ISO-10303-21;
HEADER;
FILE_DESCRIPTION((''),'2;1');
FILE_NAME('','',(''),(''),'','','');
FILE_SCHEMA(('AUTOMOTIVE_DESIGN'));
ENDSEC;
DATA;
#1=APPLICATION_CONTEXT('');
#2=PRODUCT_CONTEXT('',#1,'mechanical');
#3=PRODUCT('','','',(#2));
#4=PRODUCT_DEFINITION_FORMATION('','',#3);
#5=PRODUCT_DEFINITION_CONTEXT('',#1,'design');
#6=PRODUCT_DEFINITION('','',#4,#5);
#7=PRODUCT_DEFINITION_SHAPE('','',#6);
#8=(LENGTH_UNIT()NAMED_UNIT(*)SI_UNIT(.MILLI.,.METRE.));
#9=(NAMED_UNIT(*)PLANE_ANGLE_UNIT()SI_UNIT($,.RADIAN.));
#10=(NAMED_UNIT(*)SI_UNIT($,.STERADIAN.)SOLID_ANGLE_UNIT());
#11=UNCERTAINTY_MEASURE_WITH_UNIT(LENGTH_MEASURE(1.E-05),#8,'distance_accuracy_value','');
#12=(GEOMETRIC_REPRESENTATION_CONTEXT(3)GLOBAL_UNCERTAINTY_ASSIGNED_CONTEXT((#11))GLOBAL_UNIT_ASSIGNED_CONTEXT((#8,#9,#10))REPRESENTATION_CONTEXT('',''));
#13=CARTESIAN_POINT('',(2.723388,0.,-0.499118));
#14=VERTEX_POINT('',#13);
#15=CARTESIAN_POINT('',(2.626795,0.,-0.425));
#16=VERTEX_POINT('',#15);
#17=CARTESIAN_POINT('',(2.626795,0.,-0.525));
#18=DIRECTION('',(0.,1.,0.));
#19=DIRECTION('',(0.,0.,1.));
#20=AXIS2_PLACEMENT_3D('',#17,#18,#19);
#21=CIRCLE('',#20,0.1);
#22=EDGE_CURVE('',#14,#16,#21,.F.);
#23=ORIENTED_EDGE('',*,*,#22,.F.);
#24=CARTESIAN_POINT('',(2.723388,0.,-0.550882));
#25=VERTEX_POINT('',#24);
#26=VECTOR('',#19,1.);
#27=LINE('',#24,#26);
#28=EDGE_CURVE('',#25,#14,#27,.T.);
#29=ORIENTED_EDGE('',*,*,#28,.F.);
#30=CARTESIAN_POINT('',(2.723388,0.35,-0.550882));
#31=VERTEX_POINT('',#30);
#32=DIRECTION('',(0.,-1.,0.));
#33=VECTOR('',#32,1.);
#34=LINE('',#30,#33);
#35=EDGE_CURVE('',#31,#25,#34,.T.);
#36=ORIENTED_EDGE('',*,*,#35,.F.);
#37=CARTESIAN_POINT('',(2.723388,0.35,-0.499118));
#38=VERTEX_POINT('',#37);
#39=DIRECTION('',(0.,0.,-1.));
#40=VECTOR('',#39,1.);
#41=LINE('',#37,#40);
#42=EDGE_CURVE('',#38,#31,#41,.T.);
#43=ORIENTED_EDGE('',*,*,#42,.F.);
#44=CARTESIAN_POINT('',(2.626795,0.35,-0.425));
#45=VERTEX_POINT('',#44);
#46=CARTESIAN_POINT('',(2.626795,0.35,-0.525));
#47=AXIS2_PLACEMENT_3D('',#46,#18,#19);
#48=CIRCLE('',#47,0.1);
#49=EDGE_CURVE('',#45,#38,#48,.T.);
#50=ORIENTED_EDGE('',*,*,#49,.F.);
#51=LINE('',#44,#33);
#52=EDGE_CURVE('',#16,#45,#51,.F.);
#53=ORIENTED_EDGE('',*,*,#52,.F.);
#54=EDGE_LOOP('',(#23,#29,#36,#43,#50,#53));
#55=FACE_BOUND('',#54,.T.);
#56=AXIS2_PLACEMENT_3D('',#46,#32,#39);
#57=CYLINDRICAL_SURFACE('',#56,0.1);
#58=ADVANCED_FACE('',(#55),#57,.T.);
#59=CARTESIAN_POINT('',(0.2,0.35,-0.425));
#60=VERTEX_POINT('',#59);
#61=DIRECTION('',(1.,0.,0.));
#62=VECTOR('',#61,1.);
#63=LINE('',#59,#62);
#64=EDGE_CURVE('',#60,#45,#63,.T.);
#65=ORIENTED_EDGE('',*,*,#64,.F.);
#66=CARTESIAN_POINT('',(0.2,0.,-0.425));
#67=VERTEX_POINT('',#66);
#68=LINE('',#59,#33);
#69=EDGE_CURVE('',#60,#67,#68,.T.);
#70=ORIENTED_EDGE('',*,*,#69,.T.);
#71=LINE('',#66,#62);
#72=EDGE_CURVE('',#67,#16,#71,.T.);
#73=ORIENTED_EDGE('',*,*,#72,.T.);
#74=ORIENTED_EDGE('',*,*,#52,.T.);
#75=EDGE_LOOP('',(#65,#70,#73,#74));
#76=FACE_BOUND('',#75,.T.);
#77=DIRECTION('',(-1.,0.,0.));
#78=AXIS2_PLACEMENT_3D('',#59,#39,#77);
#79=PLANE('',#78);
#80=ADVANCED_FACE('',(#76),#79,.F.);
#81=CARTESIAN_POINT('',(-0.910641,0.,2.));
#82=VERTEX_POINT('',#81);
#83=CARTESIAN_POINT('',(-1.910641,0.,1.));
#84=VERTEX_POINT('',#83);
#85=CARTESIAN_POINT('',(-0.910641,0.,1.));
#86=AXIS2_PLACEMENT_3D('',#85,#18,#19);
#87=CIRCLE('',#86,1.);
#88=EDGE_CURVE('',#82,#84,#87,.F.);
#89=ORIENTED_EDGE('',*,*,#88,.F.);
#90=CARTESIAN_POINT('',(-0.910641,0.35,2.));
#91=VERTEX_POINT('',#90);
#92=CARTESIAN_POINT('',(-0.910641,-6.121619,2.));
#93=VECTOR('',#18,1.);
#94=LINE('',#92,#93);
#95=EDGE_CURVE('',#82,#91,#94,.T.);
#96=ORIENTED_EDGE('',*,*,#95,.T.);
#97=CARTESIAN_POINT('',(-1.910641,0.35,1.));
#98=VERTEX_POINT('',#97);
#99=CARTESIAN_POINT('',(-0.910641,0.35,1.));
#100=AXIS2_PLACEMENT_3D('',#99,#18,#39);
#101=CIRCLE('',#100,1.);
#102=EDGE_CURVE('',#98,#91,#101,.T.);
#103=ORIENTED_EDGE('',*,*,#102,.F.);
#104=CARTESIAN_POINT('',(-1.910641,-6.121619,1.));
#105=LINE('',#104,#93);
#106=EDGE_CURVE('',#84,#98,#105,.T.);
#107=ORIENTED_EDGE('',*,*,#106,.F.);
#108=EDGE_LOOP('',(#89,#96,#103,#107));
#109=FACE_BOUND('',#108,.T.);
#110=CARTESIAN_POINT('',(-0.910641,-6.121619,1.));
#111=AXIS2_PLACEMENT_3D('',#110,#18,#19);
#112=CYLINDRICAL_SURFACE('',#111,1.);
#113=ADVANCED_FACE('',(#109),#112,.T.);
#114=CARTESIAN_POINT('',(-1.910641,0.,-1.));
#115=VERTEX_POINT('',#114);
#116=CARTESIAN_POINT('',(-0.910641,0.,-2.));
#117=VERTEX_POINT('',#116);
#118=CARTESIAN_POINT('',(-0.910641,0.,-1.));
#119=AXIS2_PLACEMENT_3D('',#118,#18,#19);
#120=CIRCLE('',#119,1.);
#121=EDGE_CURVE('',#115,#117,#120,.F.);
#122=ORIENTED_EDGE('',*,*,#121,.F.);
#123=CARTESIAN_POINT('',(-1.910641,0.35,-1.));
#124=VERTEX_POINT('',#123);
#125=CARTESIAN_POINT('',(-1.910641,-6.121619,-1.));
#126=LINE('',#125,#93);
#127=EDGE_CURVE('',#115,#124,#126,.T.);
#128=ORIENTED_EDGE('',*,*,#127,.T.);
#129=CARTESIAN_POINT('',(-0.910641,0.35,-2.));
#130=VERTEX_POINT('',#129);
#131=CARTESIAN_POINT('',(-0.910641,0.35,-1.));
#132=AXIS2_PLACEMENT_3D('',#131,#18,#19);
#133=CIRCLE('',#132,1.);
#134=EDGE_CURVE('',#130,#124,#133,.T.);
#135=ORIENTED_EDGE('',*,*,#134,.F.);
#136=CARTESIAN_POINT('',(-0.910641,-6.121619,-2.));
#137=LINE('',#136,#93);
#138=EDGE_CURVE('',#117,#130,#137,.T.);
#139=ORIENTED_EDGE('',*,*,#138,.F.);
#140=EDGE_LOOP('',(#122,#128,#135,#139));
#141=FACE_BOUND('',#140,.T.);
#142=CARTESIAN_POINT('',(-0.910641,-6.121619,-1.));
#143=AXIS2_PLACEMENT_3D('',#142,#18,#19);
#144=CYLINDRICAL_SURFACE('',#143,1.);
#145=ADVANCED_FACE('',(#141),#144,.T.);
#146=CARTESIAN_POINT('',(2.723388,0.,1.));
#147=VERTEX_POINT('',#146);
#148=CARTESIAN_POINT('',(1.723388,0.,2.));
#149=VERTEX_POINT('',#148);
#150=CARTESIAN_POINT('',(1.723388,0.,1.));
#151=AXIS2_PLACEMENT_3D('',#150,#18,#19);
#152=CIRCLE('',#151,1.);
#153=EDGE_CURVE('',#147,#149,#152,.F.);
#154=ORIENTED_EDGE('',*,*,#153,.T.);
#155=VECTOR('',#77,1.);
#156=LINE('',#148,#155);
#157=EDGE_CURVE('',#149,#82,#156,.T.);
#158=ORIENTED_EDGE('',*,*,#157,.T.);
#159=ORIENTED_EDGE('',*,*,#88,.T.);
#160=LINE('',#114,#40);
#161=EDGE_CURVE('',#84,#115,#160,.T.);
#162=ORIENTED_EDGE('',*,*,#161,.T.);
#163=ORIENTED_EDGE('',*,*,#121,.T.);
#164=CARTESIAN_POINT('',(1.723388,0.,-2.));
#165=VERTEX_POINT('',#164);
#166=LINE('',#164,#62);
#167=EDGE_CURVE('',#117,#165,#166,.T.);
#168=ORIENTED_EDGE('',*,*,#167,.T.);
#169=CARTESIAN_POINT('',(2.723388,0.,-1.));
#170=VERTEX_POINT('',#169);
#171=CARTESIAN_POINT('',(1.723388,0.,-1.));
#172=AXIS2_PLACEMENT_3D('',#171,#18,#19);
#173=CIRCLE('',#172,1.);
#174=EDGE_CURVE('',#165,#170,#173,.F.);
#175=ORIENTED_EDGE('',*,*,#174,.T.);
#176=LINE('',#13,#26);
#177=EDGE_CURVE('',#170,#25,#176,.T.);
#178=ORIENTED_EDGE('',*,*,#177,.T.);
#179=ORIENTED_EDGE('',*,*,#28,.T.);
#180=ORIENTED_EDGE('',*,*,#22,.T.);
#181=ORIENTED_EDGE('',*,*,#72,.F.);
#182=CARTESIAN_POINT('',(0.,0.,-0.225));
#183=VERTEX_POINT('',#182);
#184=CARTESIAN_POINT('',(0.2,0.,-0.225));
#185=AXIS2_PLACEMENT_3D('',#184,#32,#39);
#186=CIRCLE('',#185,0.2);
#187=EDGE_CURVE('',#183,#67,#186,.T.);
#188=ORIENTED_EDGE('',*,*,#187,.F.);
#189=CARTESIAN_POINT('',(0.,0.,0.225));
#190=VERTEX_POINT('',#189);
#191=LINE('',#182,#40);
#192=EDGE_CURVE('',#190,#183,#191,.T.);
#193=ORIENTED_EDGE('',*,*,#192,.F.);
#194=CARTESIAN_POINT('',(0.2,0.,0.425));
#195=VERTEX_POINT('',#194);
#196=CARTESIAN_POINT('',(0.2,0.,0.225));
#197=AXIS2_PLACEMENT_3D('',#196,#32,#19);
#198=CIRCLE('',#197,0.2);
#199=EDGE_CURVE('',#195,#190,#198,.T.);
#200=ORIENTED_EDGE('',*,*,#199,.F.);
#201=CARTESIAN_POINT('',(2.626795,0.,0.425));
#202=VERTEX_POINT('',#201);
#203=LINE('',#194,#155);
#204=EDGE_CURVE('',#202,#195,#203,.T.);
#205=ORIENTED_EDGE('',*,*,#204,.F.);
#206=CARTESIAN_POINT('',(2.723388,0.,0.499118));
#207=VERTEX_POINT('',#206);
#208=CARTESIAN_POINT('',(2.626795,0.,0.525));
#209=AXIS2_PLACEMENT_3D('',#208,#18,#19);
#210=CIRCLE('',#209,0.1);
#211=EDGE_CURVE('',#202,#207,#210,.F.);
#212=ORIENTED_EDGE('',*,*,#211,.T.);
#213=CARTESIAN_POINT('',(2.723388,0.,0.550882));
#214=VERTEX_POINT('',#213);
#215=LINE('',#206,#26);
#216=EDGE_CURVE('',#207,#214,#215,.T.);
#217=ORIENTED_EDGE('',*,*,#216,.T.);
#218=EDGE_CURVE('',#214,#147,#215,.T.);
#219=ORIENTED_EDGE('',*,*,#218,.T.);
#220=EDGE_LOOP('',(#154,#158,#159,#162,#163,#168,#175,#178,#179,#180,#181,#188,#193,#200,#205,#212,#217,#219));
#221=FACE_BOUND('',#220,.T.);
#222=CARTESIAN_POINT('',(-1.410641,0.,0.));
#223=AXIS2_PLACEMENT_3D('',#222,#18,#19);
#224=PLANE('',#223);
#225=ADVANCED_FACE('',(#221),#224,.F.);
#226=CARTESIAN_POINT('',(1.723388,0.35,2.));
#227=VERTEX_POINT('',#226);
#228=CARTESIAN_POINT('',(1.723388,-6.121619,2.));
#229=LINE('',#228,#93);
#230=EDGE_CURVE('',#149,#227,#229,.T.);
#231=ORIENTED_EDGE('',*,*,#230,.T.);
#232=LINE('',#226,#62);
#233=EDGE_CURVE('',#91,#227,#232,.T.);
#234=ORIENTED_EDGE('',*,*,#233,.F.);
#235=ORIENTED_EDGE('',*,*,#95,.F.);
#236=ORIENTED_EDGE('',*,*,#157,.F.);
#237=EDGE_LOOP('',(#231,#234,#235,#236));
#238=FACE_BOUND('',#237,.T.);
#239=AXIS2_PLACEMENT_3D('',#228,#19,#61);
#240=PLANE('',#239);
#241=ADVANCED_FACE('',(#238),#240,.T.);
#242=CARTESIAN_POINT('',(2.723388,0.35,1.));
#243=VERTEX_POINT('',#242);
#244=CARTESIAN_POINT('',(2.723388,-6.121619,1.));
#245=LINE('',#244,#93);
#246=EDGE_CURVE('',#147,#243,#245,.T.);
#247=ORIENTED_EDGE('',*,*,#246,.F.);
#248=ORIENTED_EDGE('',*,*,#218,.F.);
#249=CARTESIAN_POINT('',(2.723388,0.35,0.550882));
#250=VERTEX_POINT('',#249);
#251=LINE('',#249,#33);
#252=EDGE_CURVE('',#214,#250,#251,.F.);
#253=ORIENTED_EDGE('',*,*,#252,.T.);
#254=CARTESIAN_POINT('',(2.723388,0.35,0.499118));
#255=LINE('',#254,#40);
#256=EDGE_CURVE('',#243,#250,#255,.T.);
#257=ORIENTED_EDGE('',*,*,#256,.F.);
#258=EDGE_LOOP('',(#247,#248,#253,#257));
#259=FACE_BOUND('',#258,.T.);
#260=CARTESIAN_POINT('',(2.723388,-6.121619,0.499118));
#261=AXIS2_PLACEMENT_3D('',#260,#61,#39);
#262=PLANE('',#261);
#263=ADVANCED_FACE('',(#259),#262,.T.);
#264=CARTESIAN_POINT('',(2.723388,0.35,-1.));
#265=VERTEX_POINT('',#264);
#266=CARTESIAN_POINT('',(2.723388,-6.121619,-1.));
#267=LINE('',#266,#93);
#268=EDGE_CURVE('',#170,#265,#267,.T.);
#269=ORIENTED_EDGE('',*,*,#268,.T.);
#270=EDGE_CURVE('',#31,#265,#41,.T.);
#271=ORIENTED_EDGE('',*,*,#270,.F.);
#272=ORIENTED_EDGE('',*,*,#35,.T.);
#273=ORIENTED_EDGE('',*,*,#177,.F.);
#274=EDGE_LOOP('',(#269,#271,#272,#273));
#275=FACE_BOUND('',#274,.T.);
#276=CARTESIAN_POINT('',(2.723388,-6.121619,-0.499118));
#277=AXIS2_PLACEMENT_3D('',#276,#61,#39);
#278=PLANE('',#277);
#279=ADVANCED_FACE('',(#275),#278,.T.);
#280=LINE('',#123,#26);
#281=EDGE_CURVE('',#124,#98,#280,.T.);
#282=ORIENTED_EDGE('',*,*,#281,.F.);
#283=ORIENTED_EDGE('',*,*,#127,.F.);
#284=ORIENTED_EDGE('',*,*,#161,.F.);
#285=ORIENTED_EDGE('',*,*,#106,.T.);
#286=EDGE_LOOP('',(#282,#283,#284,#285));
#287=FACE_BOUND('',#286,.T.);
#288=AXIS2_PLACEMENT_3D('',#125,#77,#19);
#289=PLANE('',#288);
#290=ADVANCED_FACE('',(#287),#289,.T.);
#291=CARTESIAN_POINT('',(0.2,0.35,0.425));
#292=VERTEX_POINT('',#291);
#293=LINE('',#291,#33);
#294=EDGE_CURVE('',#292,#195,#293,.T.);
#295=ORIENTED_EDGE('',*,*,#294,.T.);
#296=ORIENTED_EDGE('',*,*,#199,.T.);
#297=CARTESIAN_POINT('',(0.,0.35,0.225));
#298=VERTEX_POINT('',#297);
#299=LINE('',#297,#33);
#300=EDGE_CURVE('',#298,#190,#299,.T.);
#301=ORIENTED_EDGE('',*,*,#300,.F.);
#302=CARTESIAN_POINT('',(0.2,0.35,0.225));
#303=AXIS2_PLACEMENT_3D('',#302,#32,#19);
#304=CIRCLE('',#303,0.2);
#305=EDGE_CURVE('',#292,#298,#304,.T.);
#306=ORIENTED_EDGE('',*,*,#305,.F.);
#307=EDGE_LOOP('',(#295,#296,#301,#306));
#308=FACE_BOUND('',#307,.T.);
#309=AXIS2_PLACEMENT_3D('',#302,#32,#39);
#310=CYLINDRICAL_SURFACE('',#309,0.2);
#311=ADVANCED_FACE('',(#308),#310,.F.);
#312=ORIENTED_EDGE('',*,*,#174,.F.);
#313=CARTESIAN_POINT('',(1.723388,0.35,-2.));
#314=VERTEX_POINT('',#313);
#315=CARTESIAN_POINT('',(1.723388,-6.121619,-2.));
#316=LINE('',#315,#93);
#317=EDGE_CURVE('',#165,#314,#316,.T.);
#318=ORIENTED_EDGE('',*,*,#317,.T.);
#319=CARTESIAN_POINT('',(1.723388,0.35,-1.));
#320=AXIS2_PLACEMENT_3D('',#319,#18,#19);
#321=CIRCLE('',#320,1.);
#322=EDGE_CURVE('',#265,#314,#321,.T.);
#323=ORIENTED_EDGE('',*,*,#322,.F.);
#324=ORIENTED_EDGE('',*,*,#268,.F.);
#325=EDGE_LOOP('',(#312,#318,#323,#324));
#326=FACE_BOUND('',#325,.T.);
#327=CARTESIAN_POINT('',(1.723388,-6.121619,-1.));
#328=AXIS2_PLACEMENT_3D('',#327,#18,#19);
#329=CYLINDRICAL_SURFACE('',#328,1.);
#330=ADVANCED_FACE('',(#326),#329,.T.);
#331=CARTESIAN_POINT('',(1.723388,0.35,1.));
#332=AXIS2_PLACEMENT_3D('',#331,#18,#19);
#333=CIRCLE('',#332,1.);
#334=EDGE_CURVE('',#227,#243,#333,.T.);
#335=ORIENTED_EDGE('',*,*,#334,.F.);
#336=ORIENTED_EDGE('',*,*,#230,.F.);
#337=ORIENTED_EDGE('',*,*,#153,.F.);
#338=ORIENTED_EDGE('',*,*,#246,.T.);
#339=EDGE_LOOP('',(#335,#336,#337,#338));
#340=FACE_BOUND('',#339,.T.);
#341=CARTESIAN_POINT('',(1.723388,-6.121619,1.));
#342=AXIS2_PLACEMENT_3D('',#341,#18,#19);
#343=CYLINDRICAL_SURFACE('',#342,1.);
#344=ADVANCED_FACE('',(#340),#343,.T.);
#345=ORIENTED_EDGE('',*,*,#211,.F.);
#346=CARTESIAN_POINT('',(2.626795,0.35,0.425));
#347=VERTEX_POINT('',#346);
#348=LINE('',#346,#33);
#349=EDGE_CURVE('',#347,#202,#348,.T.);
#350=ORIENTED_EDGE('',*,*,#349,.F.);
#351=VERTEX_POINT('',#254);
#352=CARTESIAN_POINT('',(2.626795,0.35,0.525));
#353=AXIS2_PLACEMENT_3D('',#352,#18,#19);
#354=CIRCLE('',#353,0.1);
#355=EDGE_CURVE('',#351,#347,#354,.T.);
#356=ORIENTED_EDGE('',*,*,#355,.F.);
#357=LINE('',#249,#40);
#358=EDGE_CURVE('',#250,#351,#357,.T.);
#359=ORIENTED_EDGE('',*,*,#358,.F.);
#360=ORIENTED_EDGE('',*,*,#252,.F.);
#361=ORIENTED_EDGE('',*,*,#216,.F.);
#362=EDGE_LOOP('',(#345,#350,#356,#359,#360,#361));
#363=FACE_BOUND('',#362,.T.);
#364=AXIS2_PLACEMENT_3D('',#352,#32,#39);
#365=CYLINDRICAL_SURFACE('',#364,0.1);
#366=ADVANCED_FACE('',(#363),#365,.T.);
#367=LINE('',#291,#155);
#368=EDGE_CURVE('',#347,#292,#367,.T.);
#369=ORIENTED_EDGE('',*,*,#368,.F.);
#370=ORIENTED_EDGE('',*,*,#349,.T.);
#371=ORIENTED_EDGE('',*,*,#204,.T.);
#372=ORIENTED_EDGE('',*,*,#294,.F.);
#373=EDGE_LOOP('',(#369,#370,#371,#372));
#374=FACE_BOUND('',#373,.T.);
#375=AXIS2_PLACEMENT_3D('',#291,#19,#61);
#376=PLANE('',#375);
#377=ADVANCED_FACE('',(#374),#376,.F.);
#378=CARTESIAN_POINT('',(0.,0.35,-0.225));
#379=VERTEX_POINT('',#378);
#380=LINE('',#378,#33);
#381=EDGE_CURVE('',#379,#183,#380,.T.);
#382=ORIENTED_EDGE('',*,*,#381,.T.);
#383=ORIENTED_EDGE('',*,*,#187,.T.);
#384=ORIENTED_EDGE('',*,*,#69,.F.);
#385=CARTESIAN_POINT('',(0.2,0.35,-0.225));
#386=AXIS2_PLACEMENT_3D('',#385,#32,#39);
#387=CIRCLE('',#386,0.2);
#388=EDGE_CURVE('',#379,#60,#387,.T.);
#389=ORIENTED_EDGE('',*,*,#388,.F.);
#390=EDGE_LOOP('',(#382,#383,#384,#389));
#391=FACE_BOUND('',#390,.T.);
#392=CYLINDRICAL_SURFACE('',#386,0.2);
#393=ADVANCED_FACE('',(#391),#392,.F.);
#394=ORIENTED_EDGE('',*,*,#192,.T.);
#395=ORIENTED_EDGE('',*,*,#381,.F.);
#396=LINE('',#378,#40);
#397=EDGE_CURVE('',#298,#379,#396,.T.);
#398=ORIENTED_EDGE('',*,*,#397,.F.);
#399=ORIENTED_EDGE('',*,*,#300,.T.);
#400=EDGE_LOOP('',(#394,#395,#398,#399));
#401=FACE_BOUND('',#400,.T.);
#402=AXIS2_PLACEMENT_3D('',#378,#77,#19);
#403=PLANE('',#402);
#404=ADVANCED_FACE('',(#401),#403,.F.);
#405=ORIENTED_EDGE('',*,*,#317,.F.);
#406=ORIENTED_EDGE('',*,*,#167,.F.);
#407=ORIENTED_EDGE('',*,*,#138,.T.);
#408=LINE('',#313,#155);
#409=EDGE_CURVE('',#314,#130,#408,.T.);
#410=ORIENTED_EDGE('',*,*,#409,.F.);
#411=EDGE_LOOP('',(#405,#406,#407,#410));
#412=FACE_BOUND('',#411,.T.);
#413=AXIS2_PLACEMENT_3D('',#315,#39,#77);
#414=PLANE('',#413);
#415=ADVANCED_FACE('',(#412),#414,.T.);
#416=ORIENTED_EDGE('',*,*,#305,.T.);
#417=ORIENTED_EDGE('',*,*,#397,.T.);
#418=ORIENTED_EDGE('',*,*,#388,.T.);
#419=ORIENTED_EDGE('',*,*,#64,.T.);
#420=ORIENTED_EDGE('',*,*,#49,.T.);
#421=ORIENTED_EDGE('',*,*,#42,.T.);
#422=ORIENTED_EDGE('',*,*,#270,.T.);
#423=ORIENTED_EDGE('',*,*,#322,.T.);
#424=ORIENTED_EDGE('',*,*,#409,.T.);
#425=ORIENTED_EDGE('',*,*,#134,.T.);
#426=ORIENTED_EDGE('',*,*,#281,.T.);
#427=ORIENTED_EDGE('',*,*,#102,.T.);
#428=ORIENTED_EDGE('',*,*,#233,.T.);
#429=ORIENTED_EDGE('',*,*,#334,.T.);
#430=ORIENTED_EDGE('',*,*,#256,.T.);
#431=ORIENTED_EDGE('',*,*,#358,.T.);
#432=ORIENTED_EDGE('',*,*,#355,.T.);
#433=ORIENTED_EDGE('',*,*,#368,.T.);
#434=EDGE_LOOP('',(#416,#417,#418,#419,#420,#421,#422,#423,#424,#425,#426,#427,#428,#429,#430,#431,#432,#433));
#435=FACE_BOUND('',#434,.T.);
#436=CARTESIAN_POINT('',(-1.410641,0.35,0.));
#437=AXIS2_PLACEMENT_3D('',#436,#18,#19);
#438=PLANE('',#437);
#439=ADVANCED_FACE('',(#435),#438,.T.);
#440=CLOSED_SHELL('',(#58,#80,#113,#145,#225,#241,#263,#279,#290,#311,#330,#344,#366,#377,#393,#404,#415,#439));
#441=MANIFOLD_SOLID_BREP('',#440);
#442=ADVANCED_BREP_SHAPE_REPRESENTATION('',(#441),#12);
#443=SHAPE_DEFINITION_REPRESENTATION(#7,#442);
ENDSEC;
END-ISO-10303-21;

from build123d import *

# Parameters (mm, degrees)
BOSS_EXTRUDE1_DEPTH = 0.35
FILLET1_R           = 0.1
BOSS_EXTRUDE3_DEPTH = 0.35


with BuildPart() as part:
    # Sketch1 → Boss-Extrude1 (new body)
    with BuildSketch(Plane(origin=(0, 0, 0), x_dir=(1, 0, 0), z_dir=(0, 1, 0))):
        with BuildLine():
            Line((0, 0.225), (0, -0.225))
            ThreePointArc((0, -0.225), (0.058578644, -0.366421356), (0.2, -0.425))
            Line((0.2, -0.425), (3, -0.425))
            Line((3, -0.425), (1.614359354, -1.225))
            Line((1.614359354, -1.225), (-0.385640646, -1.225))
            Line((-0.385640646, -1.225), (-1.110640646, -0.5))
            Line((-1.110640646, -0.5), (-1.410640646, -0.5))
            ThreePointArc((-1.410640646, -0.5), (-1.910640646, 0), (-1.410640646, 0.5))
            Line((-1.410640646, 0.5), (-1.110640646, 0.5))
            Line((-1.110640646, 0.5), (-0.385640646, 1.225))
            Line((-0.385640646, 1.225), (1.614359354, 1.225))
            Line((1.614359354, 1.225), (3, 0.425))
            Line((3, 0.425), (0.2, 0.425))
            ThreePointArc((0.2, 0.425), (0.058578644, 0.366421356), (0, 0.225))
        make_face()
    extrude(amount=BOSS_EXTRUDE1_DEPTH)

    # Fillet1
    fillet1_edges = [part.edges().sort_by_distance(p)[0] for p in [
        (3, 0.175, -0.425),
        (3, 0.175, 0.425),
    ]]
    fillet(fillet1_edges, radius=FILLET1_R)

    # Sketch3 → Boss-Extrude3 (add)
    with BuildSketch(Plane(origin=(0, 0.35, 0), x_dir=(1, 0, 0), z_dir=(0, 1, 0))):
        with BuildLine():
            Line((2.723387502, 0.499118095), (2.723387502, 1))
            ThreePointArc((2.723387502, 1), (2.430494283, 1.707106781), (1.723387502, 2))
            Line((1.723387502, 2), (-0.910640646, 2))
            ThreePointArc((-0.910640646, 2), (-1.617747427, 1.707106781), (-1.910640646, 1))
            Line((-1.910640646, 1), (-1.910640646, -1))
            ThreePointArc((-1.910640646, -1), (-1.617747427, -1.707106781), (-0.910640646, -2))
            Line((-0.910640646, -2), (1.723387502, -2))
            ThreePointArc((1.723387502, -2), (2.430494283, -1.707106781), (2.723387502, -1))
            Line((2.723387502, -1), (2.723387502, -0.499118095))
            Line((2.723387502, -0.499118095), (-0.276612498, -0.499118095))
            Line((-0.276612498, -0.499118095), (-0.276612498, 0.499118095))
            Line((-0.276612498, 0.499118095), (2.723387502, 0.499118095))
        make_face()
    extrude(amount=-BOSS_EXTRUDE3_DEPTH)


solid = part.part
